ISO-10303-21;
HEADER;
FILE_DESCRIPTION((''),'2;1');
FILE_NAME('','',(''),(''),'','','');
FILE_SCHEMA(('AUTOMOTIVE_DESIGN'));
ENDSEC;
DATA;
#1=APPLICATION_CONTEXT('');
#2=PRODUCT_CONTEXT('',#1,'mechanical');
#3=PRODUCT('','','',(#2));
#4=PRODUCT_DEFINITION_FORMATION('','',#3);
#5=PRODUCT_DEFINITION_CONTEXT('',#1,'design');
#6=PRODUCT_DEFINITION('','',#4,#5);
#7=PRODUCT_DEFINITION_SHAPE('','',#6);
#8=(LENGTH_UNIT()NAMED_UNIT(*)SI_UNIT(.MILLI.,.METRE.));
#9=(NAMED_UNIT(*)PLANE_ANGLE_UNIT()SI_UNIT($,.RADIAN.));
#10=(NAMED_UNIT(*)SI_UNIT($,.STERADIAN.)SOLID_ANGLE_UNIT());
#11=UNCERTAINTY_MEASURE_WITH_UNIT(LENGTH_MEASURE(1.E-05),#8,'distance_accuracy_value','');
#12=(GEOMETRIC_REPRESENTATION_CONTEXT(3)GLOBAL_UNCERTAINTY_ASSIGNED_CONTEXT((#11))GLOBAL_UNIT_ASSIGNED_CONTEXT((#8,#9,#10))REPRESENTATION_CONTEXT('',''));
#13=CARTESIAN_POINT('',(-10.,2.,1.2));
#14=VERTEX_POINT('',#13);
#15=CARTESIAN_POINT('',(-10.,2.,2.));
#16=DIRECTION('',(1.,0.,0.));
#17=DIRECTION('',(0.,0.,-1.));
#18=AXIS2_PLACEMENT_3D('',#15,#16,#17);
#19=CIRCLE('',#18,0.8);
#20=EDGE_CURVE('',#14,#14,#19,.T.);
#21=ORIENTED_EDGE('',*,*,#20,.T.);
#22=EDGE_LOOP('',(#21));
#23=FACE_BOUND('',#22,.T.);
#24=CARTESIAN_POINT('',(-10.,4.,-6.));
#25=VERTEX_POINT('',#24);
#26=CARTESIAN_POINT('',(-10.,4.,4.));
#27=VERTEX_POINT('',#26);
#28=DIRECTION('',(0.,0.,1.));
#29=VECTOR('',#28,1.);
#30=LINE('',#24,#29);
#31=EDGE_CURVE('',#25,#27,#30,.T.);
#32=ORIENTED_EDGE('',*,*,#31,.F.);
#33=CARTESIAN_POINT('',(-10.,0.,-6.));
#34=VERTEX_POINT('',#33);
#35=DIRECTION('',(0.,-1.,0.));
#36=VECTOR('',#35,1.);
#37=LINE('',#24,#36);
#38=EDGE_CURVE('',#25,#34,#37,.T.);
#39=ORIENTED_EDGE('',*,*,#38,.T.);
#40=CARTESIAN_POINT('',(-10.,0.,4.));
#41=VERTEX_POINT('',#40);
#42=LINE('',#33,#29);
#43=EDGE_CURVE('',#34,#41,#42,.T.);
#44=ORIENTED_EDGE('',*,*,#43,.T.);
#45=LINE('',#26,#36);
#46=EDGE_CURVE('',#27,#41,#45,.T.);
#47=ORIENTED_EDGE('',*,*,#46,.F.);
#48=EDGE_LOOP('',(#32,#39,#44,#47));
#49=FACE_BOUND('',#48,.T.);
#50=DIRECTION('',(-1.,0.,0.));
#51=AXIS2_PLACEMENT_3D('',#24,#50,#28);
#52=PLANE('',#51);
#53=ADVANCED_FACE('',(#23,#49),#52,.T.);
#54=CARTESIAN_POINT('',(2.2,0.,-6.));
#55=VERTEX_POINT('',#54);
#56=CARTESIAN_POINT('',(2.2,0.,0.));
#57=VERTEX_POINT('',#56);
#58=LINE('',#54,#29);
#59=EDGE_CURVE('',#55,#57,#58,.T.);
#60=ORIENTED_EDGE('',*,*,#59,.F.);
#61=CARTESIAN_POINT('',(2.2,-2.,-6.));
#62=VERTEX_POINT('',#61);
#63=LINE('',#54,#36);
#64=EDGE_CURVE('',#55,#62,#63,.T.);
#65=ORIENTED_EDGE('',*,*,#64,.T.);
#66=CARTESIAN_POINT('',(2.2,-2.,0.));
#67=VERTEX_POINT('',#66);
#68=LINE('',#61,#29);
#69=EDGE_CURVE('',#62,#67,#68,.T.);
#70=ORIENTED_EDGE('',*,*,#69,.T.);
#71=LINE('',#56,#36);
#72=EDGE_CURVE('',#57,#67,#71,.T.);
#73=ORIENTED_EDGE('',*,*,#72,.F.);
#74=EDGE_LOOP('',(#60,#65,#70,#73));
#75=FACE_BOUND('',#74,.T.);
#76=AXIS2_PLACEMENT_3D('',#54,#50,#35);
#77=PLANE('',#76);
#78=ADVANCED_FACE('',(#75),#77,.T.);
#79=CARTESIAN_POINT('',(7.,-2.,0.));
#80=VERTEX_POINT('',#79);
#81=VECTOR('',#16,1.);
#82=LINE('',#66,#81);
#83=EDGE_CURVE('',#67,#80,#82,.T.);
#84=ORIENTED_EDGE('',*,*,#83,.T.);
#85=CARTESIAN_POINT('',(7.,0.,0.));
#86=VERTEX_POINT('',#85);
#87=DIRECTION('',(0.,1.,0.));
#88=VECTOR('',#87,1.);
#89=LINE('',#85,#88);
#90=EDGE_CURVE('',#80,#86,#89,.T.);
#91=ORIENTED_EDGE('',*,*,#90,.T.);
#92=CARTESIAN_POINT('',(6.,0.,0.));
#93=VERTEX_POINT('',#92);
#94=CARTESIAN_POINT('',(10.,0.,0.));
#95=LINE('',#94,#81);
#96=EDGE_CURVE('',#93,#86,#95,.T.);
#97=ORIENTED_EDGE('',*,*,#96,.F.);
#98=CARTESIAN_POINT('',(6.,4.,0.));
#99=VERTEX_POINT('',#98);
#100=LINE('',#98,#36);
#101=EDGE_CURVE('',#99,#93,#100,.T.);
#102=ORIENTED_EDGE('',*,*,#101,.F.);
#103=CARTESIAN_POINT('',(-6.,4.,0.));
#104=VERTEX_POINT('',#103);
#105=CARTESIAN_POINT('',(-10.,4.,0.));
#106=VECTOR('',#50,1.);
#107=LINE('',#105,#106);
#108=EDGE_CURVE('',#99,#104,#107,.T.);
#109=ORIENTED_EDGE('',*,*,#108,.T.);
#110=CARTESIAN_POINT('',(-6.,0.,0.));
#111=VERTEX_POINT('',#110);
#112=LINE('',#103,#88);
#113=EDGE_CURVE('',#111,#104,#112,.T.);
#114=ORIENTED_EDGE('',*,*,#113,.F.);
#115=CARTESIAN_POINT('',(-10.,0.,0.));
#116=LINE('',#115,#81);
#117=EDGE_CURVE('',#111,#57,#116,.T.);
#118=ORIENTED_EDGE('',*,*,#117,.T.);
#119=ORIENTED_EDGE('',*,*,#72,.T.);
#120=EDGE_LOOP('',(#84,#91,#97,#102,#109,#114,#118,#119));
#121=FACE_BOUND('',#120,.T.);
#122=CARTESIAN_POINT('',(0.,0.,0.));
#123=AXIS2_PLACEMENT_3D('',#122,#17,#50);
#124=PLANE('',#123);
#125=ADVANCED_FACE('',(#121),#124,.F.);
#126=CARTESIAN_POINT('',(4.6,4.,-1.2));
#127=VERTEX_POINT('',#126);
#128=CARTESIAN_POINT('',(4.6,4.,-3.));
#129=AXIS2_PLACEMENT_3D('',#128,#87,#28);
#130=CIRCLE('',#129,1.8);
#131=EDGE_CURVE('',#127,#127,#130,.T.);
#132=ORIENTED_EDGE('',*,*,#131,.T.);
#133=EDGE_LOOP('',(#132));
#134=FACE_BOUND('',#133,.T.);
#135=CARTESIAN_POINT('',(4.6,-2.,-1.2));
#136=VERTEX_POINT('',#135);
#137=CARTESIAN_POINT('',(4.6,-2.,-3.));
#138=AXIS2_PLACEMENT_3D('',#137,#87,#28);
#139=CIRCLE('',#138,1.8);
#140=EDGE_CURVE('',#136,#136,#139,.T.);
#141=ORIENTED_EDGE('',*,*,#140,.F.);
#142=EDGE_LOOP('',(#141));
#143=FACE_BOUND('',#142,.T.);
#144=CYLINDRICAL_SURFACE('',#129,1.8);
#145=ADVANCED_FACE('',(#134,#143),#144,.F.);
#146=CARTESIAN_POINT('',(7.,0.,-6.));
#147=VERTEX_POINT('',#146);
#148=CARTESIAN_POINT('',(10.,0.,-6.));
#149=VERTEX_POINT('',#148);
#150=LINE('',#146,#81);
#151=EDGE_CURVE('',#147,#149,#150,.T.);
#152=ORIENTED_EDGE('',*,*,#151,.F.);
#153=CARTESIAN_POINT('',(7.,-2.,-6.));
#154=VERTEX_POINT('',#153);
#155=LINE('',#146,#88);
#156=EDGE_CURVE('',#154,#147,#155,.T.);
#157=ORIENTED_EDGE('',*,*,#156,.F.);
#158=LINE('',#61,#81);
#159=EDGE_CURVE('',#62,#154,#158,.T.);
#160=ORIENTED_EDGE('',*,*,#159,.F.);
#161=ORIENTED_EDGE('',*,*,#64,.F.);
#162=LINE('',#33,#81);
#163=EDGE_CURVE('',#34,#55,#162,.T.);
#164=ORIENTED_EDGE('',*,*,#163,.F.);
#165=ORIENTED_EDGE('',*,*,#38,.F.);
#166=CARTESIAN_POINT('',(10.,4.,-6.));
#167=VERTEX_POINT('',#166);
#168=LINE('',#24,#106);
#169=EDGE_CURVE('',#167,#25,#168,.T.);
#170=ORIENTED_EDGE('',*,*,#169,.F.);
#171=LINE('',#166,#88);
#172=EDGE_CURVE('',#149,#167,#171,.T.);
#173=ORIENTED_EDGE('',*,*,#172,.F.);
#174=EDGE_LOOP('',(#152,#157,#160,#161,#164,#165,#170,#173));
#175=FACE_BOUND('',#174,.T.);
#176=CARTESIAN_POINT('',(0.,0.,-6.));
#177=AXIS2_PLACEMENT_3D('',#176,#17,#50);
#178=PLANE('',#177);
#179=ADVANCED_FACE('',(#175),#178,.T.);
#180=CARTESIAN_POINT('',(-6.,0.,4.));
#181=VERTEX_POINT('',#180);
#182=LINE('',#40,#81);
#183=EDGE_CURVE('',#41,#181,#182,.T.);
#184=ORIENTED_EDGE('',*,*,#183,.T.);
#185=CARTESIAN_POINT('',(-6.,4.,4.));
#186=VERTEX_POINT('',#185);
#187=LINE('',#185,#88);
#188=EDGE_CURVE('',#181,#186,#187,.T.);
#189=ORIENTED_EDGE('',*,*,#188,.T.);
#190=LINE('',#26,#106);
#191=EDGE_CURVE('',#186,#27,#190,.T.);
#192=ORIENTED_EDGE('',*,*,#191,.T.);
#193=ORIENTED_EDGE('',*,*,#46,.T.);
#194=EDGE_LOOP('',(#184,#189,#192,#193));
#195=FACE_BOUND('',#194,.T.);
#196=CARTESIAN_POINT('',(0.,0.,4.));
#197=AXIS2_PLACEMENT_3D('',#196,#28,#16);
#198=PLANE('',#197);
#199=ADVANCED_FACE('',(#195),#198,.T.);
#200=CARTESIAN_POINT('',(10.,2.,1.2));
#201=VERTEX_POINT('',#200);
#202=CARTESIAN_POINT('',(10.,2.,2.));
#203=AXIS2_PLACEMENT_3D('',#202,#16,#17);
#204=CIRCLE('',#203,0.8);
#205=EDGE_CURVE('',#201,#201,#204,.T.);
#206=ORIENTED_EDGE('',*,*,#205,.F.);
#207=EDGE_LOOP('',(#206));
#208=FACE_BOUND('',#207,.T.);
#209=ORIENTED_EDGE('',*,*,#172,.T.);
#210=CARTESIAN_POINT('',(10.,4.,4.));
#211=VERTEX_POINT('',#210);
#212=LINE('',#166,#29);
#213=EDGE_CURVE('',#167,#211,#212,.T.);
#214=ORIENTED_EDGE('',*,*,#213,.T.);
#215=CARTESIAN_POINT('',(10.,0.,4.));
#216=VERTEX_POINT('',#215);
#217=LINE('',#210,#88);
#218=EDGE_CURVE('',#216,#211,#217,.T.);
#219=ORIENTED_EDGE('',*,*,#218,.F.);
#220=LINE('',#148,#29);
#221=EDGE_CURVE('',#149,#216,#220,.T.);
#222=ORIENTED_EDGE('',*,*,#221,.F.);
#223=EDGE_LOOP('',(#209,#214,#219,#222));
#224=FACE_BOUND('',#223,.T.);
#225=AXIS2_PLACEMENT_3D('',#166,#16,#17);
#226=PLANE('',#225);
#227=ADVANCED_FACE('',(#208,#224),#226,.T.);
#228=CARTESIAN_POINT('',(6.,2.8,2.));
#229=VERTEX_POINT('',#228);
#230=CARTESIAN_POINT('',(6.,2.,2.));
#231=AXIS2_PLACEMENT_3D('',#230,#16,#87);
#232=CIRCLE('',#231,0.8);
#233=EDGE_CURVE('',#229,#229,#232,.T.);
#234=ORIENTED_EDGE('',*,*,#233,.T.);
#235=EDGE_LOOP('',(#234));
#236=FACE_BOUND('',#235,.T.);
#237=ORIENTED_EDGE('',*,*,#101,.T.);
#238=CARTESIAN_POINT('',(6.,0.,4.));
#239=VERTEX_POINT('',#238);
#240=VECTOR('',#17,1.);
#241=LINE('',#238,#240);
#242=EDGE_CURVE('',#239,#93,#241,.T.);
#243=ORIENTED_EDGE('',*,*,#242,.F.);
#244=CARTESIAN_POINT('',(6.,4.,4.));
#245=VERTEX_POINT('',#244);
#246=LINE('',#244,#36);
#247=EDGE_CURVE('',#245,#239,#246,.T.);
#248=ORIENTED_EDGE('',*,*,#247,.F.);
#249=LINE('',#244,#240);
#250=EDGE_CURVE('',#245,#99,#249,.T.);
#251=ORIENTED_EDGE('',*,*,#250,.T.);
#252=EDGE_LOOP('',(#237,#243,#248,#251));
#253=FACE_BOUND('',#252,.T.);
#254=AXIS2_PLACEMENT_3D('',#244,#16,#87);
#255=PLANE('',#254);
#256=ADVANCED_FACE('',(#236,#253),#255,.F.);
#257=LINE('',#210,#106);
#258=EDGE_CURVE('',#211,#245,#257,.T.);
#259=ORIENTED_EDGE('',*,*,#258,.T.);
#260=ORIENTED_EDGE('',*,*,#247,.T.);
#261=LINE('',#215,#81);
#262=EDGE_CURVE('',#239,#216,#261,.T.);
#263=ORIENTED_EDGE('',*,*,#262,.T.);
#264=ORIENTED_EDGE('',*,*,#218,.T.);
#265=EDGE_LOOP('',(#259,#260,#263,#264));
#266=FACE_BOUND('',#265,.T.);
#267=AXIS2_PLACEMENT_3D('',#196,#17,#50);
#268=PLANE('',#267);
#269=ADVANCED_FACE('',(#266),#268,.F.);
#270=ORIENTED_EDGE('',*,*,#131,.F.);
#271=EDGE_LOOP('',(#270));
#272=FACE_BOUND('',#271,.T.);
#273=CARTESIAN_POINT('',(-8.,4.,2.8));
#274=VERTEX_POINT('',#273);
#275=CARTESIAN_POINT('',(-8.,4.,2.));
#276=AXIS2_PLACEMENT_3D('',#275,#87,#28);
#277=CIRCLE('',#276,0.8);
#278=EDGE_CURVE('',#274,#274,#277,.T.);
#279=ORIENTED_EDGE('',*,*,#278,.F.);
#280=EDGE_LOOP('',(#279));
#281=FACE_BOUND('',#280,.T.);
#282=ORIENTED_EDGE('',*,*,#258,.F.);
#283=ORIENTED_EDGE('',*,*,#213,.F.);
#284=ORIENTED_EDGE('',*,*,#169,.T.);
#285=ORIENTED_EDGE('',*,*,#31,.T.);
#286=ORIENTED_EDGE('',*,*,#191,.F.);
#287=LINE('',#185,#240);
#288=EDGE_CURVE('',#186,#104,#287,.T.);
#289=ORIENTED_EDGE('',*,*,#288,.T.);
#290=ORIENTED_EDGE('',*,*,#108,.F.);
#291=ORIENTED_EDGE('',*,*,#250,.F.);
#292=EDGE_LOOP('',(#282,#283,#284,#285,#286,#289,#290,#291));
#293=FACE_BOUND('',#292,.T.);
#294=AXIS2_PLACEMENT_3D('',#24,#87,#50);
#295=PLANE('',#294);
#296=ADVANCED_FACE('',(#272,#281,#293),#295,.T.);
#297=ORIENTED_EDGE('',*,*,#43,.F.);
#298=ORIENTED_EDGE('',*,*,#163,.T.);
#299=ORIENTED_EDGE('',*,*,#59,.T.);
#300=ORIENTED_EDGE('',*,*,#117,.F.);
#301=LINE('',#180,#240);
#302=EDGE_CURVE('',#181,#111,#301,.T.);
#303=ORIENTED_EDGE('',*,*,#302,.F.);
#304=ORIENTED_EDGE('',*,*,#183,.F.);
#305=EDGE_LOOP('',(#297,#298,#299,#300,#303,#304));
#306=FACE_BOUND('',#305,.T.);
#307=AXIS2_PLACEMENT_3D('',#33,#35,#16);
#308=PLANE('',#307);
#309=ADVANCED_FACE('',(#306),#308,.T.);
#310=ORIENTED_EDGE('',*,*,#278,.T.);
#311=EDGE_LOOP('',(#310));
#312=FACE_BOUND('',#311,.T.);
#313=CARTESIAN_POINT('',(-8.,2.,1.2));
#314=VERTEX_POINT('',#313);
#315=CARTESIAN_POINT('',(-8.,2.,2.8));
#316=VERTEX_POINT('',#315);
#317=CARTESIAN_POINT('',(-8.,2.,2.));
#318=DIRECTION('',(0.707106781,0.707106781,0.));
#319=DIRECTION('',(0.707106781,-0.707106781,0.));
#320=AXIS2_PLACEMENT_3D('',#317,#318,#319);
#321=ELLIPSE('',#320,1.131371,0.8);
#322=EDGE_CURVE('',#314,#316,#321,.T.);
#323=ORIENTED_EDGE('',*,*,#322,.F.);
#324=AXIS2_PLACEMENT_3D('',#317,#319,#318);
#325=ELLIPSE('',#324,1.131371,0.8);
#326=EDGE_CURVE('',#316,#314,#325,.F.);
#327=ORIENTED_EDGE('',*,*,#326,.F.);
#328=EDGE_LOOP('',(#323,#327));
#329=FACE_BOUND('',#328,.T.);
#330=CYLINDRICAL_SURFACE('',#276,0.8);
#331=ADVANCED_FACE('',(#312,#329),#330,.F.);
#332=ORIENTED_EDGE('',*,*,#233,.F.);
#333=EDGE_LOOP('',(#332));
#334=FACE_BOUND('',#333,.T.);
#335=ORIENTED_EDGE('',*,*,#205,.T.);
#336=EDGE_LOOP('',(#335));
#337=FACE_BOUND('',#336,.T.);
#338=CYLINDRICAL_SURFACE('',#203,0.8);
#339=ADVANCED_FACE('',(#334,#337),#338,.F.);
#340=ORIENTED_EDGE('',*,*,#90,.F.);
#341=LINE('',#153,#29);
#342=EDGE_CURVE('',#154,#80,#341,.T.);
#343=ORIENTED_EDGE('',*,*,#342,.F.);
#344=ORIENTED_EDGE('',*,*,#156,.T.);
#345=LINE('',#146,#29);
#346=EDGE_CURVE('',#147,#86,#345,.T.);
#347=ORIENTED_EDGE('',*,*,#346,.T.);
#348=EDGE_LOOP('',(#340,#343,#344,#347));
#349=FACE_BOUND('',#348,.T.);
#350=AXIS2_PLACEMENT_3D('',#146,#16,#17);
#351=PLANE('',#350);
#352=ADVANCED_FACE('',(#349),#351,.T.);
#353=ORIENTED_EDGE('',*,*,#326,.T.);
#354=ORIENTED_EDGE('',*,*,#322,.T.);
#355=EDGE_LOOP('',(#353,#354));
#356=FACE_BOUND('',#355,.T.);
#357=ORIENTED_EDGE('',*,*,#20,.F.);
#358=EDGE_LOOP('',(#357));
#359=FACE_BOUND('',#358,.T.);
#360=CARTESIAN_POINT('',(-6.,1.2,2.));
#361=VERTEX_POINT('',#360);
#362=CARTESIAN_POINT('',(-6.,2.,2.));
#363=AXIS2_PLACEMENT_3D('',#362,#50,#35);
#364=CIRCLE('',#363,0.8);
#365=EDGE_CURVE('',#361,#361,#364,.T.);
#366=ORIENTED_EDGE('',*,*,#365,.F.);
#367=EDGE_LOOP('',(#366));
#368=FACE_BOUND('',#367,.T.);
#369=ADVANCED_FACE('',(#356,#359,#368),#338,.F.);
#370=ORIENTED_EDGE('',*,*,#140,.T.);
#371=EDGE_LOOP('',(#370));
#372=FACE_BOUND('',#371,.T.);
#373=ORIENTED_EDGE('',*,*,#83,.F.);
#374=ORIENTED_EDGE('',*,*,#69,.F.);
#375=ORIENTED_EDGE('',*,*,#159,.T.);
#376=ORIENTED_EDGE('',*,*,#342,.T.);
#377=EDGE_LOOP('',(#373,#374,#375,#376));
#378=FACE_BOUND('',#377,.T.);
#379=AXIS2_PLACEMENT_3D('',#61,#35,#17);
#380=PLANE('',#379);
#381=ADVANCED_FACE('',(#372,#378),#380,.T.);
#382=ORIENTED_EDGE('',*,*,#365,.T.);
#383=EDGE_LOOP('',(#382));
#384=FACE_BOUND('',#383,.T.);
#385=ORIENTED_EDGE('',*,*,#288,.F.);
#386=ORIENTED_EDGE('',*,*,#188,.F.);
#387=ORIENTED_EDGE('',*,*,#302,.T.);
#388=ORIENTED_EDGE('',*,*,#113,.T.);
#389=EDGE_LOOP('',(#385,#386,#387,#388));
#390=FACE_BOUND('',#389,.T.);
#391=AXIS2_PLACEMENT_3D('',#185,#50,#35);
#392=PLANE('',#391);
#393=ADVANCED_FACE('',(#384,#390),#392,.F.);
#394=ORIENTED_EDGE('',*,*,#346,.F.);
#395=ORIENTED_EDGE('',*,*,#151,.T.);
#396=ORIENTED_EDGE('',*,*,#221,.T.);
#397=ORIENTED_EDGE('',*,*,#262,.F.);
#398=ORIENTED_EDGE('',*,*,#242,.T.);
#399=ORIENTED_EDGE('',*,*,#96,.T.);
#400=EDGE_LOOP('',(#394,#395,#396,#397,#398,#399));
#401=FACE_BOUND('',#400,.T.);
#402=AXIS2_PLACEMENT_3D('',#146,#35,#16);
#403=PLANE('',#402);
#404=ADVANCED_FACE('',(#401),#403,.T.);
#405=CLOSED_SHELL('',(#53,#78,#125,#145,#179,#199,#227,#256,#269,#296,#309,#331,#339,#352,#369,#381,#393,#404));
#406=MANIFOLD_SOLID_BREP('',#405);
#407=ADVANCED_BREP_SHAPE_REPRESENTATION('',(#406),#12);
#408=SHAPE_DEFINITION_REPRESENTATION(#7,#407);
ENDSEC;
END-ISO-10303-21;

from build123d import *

# Parameters (mm, degrees)
BOSS_EXTRU_1_DEPTH                           = 6
ESQUISSE2_W                                  = 4
ESQUISSE2_H                                  = 4
BOSS_EXTRU_2_DEPTH                           = 4
TROU_POUR_TARAUDAGE_POUR_TROU_TARAUD_M2_D    = 1.6
TROU_POUR_TARAUDAGE_POUR_TROU_TARAUD_2_REACH = 15.115
TROU_POUR_TARAUDAGE_POUR_TROU_TARAUD_2_B_R   = 0.8
D_GAGEMENT_M31_D                             = 3.6


with BuildPart() as part:
    # Esquisse1 → Boss.-Extru.1 (new body)
    with BuildSketch(Plane.XY):
        Polygon((-10, 4), (10, 4), (10, 0), (7, 0), (7, -2), (2.2, -2), (2.2, 0), (-10, 0), align=None)
    extrude(amount=-BOSS_EXTRU_1_DEPTH)

    # Esquisse2 → Boss.-Extru.2 (add)
    with BuildSketch(Plane.XY):
        with Locations((-8, 2)):
            Rectangle(ESQUISSE2_W, ESQUISSE2_H)
        with Locations((8, 2)):
            Rectangle(ESQUISSE2_W, ESQUISSE2_H)
    extrude(amount=BOSS_EXTRU_2_DEPTH)

    # Trou pour taraudage pour trou taraud_ M2 (through all)
    with Locations(Plane(origin=(10, 0, 0), x_dir=(0, 0, -1), z_dir=(1, 0, 0))):
        with Locations((-2, 2)):
            Hole(TROU_POUR_TARAUDAGE_POUR_TROU_TARAUD_M2_D / 2)

    # Trou pour taraudage pour trou taraud 2 b → Trou pour taraudage pour trou taraud 2 (cut, up to next)
    with BuildSketch(Plane(origin=(0, 4, 0), x_dir=(1, 0, 0), z_dir=(0, 1, 0)), mode=Mode.PRIVATE) as trou_pour_taraudage_pour_trou_taraud_2_sk1:
        with Locations((-8, -2)):
            Circle(TROU_POUR_TARAUDAGE_POUR_TROU_TARAUD_2_B_R)
    trou_pour_taraudage_pour_trou_taraud_2_tool1 = extrude(trou_pour_taraudage_pour_trou_taraud_2_sk1.sketch, amount=-TROU_POUR_TARAUDAGE_POUR_TROU_TARAUD_2_REACH, mode=Mode.PRIVATE) & part.part
    add(trou_pour_taraudage_pour_trou_taraud_2_tool1.solids().sort_by_distance((-8, 4, 2))[0], mode=Mode.SUBTRACT)

    # Dégagement M31 (through all)
    with Locations(Plane(origin=(0, 4, 0), x_dir=(1, 0, 0), z_dir=(0, 1, 0))):
        with Locations((4.6, 3)):
            Hole(D_GAGEMENT_M31_D / 2)


solid = part.part
